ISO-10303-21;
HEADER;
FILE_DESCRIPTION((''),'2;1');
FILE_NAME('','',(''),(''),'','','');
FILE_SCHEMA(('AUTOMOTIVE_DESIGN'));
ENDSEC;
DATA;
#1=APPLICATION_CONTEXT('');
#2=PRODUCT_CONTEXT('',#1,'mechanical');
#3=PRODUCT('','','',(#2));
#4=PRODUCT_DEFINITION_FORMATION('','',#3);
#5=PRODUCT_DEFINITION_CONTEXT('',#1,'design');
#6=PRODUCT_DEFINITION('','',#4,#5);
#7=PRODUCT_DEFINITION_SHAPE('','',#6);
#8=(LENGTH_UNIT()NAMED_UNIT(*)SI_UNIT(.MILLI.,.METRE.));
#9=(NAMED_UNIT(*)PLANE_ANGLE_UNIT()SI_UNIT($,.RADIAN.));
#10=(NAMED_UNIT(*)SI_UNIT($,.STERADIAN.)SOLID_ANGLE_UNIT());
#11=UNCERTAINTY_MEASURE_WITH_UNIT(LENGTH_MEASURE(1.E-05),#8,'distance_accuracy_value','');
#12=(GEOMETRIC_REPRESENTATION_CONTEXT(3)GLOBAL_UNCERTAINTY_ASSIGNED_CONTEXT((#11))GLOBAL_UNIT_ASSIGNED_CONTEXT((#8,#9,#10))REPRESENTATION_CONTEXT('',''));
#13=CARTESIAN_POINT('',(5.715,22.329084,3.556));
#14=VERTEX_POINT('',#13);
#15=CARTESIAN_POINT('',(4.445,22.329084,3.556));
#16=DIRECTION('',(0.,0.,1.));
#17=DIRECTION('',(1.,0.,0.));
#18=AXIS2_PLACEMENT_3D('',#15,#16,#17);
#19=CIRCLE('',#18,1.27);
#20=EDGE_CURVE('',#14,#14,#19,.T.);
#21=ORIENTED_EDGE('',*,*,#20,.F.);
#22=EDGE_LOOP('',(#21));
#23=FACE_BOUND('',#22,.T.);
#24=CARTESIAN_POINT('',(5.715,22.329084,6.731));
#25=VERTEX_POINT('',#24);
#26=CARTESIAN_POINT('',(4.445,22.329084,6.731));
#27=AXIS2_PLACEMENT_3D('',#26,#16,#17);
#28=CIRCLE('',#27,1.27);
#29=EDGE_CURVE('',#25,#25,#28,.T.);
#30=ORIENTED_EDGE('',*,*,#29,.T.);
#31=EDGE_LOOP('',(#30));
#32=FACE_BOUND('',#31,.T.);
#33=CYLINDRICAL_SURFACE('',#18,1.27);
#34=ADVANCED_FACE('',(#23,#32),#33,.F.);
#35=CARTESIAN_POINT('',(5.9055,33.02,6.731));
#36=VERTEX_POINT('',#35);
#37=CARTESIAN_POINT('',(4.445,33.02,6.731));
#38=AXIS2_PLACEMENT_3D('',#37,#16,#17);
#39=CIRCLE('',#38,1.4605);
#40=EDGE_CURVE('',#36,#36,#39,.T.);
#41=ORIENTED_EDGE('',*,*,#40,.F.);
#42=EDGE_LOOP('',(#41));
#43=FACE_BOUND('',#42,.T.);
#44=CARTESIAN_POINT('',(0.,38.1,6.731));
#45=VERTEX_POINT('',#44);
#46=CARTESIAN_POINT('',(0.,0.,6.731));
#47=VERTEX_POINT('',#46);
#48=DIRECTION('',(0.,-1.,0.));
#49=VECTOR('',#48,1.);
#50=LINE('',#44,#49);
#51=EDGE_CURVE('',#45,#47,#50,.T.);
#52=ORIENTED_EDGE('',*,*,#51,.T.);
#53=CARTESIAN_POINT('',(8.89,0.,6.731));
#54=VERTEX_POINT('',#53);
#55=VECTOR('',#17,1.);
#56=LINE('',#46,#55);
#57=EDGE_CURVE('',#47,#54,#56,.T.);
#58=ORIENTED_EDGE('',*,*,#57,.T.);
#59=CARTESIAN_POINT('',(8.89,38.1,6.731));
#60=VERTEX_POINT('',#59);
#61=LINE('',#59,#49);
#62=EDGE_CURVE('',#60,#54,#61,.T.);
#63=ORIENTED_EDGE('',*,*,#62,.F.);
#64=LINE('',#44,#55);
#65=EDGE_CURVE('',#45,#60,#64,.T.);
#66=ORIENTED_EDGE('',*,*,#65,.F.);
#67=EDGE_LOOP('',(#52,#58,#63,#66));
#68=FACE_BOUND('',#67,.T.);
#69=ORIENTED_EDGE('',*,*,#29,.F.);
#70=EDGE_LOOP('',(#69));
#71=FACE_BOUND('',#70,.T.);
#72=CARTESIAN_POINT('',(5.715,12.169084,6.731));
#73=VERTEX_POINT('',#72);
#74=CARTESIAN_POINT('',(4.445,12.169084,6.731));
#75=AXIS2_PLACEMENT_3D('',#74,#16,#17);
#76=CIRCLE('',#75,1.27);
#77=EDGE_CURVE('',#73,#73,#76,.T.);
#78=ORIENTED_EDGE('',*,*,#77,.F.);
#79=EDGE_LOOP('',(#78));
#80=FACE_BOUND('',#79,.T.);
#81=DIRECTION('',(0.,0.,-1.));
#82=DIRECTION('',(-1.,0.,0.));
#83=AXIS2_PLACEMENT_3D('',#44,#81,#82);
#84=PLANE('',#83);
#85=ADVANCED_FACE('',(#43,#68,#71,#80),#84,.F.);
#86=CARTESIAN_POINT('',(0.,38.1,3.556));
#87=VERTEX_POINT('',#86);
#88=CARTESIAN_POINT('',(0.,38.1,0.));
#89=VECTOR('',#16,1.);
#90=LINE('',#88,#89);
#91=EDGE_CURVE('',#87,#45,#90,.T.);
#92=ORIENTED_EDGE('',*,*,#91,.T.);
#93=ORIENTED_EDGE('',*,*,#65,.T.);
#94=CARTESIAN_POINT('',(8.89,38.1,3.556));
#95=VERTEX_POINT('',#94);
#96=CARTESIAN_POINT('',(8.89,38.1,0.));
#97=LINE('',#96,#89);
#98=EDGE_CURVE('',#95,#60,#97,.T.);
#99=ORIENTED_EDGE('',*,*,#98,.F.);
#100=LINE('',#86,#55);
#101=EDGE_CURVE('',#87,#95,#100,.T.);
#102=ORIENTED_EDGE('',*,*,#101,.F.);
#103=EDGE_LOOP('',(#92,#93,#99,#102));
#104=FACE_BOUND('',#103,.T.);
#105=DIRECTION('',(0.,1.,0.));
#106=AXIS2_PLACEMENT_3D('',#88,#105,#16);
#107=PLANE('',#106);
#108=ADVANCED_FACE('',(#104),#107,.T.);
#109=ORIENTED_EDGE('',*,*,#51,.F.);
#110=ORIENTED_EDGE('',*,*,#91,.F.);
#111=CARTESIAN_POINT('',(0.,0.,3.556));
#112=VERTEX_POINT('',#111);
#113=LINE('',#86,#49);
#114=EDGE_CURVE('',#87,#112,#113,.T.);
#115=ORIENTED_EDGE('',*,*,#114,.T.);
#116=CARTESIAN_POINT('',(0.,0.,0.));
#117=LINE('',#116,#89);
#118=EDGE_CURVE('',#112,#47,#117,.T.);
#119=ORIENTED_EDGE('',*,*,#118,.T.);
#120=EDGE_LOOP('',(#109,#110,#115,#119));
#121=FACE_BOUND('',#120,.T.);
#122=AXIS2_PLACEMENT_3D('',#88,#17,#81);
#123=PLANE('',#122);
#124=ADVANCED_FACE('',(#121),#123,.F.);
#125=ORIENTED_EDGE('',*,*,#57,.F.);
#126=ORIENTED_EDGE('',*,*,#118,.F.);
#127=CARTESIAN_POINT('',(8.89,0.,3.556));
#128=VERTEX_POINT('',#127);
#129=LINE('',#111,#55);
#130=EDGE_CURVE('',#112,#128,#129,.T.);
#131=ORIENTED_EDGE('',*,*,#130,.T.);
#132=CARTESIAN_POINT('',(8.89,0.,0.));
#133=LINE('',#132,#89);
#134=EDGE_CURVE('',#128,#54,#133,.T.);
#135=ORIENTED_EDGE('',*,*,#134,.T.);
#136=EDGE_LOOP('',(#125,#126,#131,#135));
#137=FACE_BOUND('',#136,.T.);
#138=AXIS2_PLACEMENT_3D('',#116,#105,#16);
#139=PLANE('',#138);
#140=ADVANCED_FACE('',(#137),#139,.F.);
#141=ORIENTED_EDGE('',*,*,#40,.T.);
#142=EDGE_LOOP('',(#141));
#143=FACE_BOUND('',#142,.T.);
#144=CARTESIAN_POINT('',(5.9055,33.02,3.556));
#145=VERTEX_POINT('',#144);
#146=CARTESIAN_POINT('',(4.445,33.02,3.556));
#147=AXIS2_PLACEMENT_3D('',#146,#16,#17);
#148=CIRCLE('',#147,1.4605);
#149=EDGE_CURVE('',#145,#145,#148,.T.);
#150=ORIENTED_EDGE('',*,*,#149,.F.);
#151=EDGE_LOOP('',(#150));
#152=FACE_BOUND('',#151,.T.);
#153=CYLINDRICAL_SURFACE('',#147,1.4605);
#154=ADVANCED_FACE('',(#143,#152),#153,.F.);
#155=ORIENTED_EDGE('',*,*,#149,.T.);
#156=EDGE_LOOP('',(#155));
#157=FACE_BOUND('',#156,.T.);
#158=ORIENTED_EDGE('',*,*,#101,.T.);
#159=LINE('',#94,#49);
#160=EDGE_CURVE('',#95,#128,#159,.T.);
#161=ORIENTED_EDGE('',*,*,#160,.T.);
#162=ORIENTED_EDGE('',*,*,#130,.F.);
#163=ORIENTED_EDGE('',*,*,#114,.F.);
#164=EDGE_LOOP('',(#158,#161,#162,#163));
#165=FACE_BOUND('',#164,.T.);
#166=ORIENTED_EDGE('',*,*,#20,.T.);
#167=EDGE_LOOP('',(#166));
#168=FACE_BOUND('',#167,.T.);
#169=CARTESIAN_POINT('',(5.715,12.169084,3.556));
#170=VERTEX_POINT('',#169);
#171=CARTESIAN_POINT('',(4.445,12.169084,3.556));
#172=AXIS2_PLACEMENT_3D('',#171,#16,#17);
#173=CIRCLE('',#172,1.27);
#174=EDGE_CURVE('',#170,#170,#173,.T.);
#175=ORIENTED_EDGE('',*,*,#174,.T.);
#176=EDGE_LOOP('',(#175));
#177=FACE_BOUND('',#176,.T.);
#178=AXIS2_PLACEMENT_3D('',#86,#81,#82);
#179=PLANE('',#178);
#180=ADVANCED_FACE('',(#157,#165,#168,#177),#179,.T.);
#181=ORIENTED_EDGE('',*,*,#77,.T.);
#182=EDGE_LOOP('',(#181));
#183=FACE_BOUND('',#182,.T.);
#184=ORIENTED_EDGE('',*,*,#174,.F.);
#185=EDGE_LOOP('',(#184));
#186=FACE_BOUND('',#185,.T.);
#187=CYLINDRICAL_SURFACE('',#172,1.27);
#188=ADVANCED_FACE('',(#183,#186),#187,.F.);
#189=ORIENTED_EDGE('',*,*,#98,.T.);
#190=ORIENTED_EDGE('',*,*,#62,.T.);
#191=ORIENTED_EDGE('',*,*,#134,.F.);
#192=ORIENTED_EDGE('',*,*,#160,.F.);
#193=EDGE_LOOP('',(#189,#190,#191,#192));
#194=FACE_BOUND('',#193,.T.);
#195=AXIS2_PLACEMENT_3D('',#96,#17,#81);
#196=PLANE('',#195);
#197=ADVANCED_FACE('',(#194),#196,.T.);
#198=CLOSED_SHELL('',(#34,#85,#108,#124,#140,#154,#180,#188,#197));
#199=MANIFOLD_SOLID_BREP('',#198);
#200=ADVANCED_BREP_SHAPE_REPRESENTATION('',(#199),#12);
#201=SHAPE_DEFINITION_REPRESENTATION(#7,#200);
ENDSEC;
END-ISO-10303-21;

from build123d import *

# Parameters (mm, degrees)
SKETCH3_W           = 8.89
SKETCH3_H           = 3.175
BOSS_EXTRUDE2_DEPTH = 38.1
SKETCH4_R           = 1.4605
SKETCH4_R_2         = 1.27
CUT_EXTRUDE1_DEPTH  = 4.175


with BuildPart() as part:
    # Sketch3 → Boss-Extrude2 (new body)
    with BuildSketch(Plane(origin=(0, 0, 0), x_dir=(1, 0, 0), z_dir=(0, 1, 0))):
        with Locations((4.445, -5.1435)):
            Rectangle(SKETCH3_W, SKETCH3_H)
    extrude(amount=BOSS_EXTRUDE2_DEPTH)

    # Sketch4 → Cut-Extrude1 (cut, through all)
    with BuildSketch(Plane.XY.offset(6.731)):
        with Locations((4.445, 33.02)):
            Circle(SKETCH4_R)
        with Locations((4.445, 12.169083682)):
            Circle(SKETCH4_R_2)
        with Locations((4.445, 22.329083682)):
            Circle(SKETCH4_R_2)
    extrude(amount=-CUT_EXTRUDE1_DEPTH, mode=Mode.SUBTRACT)


solid = part.part
